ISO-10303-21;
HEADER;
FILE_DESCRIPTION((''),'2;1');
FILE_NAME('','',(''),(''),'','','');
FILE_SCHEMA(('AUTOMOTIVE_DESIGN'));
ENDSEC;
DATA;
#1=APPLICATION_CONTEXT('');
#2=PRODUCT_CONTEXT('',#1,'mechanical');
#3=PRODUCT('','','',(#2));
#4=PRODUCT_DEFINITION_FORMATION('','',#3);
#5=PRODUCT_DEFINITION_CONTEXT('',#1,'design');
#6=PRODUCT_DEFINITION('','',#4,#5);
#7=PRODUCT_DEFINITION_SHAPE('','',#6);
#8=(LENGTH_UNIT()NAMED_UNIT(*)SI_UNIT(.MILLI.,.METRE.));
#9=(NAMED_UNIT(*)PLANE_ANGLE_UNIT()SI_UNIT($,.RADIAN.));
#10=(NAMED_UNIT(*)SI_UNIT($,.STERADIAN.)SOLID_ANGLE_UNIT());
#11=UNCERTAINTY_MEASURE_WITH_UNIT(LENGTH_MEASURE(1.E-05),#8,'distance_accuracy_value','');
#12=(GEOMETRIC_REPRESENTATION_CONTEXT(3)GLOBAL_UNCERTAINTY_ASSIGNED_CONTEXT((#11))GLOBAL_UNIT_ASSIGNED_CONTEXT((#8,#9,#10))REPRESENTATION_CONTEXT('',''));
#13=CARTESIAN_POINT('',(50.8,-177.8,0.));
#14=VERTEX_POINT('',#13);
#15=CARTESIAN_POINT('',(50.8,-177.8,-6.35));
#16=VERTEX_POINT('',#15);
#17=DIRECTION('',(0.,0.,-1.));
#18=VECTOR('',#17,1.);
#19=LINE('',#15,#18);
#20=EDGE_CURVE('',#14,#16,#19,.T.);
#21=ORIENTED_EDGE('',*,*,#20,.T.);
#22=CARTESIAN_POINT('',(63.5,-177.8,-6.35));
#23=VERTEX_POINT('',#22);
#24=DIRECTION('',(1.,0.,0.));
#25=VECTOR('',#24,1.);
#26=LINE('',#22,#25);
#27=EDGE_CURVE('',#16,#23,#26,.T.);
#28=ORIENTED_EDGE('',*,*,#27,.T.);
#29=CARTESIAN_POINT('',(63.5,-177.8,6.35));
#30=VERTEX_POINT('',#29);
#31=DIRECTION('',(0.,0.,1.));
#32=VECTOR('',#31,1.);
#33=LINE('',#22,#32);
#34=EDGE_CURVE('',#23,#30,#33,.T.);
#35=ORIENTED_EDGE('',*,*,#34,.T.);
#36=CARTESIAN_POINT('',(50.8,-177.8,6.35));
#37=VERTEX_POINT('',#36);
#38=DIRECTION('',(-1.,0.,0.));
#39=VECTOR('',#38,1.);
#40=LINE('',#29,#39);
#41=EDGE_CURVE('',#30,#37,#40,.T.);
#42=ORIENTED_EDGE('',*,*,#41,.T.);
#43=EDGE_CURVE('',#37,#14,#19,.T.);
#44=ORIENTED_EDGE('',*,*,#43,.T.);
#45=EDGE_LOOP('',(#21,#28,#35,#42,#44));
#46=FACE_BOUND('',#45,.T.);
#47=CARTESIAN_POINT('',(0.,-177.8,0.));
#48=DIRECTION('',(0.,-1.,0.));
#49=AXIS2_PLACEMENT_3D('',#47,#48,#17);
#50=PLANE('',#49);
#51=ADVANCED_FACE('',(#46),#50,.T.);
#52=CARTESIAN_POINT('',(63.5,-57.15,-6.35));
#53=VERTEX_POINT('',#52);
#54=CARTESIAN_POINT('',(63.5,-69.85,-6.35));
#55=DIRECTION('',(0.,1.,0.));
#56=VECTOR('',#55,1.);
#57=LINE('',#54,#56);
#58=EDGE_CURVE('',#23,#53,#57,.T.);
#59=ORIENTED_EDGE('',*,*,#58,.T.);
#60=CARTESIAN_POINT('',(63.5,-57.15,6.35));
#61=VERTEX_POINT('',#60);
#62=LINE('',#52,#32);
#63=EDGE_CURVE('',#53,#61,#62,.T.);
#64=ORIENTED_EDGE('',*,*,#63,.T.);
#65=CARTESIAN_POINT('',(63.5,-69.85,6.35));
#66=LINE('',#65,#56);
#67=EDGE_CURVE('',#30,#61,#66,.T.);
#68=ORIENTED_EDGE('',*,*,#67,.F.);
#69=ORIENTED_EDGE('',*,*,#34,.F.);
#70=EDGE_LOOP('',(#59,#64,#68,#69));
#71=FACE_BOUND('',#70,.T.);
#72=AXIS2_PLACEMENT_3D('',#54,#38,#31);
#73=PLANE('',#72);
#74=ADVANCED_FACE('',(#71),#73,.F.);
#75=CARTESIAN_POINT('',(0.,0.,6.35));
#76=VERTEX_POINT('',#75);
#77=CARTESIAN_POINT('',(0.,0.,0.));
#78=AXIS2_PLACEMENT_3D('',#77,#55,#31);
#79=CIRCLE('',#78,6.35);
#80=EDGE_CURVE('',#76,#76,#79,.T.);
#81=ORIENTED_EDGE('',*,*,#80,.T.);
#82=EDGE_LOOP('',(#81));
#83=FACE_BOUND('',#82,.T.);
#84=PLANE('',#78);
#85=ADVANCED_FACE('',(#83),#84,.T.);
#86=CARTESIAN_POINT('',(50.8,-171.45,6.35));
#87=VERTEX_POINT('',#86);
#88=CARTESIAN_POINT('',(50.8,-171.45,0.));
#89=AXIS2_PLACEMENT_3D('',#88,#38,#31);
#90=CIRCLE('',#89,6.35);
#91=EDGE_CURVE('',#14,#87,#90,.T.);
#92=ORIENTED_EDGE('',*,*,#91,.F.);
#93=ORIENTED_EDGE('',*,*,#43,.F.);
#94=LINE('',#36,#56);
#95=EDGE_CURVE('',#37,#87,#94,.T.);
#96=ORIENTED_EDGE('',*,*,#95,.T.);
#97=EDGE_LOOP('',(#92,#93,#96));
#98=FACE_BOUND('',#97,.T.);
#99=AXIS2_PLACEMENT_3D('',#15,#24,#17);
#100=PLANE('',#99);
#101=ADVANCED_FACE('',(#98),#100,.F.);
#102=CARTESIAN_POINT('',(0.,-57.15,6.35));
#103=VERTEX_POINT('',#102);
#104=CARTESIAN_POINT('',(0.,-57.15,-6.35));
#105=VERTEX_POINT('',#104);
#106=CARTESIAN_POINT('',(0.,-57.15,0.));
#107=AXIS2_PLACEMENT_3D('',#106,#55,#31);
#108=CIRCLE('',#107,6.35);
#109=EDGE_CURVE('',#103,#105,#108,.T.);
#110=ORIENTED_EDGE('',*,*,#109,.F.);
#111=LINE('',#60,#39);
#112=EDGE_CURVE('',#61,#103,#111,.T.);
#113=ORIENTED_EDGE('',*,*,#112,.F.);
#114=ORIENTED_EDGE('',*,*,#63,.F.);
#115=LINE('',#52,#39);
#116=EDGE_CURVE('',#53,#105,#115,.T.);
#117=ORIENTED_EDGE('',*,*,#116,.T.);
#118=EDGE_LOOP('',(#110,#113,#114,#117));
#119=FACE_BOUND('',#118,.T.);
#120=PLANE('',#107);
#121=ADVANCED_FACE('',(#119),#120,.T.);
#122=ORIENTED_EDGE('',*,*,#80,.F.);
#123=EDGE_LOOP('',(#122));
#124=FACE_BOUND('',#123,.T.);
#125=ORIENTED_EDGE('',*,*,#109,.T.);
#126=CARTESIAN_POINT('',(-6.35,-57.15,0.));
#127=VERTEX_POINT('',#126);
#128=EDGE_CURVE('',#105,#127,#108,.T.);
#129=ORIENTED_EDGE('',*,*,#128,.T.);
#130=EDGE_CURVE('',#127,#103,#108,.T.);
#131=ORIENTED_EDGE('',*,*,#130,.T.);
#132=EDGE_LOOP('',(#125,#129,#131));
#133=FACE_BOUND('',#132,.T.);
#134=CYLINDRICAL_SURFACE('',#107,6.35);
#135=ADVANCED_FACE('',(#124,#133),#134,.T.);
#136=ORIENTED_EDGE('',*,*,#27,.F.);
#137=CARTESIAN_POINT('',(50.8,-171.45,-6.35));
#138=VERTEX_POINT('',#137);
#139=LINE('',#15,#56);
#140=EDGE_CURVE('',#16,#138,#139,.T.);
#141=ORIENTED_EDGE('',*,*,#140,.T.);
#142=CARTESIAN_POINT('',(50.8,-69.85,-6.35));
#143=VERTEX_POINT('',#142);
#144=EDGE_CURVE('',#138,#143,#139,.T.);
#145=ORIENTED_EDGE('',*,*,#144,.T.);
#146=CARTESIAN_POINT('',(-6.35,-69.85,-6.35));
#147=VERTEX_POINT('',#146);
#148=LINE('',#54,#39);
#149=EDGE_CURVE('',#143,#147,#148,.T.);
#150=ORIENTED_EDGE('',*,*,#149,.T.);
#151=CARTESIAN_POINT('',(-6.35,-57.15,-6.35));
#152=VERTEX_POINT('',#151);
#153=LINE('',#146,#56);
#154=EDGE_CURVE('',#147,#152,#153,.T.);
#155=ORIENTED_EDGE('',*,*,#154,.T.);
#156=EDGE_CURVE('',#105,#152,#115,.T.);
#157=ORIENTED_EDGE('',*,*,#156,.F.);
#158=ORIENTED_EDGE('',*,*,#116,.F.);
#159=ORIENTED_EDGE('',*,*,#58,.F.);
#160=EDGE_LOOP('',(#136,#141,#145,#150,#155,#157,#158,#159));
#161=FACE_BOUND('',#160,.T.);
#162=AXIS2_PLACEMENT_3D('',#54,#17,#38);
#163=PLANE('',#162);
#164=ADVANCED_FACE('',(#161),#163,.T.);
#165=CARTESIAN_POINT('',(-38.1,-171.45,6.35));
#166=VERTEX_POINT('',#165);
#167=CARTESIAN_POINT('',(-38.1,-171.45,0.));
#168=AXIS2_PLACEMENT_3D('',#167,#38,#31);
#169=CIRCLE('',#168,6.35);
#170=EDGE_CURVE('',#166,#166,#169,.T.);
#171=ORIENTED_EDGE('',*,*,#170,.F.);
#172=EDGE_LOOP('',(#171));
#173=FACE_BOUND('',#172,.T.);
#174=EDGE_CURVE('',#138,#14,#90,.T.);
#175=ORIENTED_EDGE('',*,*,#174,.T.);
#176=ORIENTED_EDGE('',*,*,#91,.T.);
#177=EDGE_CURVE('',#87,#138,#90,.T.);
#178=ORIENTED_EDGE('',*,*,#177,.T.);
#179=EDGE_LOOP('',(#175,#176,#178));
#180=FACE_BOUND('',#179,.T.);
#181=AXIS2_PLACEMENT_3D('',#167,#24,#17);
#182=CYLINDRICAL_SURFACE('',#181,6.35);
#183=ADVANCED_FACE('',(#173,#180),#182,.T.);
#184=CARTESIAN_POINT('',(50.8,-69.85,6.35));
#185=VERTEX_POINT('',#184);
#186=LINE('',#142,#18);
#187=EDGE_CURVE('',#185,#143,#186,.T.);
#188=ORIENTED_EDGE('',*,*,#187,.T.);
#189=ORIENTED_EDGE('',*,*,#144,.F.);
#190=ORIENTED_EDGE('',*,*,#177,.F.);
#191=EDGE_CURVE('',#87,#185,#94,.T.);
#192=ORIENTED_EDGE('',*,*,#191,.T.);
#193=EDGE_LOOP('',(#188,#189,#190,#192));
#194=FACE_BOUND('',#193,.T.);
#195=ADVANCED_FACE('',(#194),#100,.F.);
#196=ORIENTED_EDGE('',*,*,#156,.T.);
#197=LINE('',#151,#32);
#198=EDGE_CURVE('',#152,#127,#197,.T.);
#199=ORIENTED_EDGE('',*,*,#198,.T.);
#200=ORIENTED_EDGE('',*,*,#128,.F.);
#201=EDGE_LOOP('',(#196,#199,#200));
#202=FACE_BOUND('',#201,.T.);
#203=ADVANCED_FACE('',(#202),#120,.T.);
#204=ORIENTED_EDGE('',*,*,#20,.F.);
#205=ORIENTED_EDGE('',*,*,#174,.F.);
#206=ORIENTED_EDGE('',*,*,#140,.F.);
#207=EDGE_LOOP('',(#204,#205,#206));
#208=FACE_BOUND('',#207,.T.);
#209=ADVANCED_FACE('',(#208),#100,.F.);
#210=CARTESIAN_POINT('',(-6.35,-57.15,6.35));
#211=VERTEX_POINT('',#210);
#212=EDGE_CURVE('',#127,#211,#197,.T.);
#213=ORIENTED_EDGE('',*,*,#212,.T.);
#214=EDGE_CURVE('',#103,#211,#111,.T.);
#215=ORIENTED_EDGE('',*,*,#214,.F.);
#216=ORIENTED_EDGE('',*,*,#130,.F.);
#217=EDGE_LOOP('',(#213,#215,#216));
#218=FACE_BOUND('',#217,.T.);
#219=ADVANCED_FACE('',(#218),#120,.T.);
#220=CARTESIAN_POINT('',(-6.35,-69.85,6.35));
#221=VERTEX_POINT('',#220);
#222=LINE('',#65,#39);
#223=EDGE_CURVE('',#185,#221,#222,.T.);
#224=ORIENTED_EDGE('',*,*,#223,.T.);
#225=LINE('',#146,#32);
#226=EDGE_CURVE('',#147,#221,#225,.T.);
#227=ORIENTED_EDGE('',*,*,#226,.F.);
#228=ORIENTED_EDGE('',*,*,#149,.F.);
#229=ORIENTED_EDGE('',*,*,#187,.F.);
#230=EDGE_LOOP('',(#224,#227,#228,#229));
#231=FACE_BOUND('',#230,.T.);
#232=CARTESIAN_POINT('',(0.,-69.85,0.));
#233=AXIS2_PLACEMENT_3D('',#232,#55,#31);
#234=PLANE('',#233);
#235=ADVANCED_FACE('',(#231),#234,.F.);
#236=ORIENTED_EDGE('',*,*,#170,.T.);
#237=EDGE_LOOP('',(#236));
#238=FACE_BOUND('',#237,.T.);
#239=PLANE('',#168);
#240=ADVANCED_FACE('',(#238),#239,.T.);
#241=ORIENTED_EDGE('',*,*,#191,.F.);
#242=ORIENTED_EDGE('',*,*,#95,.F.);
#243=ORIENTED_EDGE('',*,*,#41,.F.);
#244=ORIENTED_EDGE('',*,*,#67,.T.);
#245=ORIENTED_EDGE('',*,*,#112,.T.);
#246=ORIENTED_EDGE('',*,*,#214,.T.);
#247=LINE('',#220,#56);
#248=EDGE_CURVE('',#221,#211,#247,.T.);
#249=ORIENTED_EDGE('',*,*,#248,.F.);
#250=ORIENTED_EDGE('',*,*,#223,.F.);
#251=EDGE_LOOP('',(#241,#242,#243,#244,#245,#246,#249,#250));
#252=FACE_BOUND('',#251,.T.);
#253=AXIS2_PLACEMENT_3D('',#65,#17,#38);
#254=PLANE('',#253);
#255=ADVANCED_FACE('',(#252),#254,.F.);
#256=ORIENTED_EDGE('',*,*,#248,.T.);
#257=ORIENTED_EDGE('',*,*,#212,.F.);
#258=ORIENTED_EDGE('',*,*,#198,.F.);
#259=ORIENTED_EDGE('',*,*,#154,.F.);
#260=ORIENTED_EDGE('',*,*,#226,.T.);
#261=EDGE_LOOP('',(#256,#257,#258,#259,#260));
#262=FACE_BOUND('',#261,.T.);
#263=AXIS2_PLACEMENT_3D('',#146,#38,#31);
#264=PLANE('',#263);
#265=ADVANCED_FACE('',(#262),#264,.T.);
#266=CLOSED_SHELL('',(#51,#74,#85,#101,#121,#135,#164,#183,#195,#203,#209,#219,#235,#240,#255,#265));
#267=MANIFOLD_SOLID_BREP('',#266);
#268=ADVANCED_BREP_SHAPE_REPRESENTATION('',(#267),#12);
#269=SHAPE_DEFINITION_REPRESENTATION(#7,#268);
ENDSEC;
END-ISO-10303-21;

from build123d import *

# Parameters (mm, degrees)
SKETCH2_R           = 6.35
BOSS_EXTRUDE1_DEPTH = 57.15
SKETCH4_W           = 69.85
SKETCH4_H           = 12.7
BOSS_EXTRUDE6_DEPTH = 12.7
SKETCH8_W           = 12.7
SKETCH8_H           = 12.7
BOSS_EXTRUDE7_DEPTH = 107.95
SKETCH9_R           = 6.35
BOSS_EXTRUDE8_DEPTH = 88.9


with BuildPart() as part:
    # Sketch2 → Boss-Extrude1 (new body)
    with BuildSketch(Plane(origin=(0, 0, 0), x_dir=(1, 0, 0), z_dir=(0, 1, 0))):
        with Locations(Location((0, 0, 0), (0, 0, 270))):
            Circle(SKETCH2_R)
    extrude(amount=-BOSS_EXTRUDE1_DEPTH)

    # Sketch4 → Boss-Extrude6 (add)
    with BuildSketch(Plane.XZ.offset(57.15)):
        with Locations((28.575, 0)):
            Rectangle(SKETCH4_W, SKETCH4_H)
    extrude(amount=BOSS_EXTRUDE6_DEPTH)

    # Sketch8 → Boss-Extrude7 (add)
    with BuildSketch(Plane.XZ.offset(69.85)):
        with Locations((57.15, 0)):
            Rectangle(SKETCH8_W, SKETCH8_H)
    extrude(amount=BOSS_EXTRUDE7_DEPTH)

    # Sketch9 → Boss-Extrude8 (add)
    with BuildSketch(Plane.ZY.offset(-50.8)):
        with Locations((0, -171.45)):
            Circle(SKETCH9_R)
    extrude(amount=BOSS_EXTRUDE8_DEPTH)


solid = part.part
